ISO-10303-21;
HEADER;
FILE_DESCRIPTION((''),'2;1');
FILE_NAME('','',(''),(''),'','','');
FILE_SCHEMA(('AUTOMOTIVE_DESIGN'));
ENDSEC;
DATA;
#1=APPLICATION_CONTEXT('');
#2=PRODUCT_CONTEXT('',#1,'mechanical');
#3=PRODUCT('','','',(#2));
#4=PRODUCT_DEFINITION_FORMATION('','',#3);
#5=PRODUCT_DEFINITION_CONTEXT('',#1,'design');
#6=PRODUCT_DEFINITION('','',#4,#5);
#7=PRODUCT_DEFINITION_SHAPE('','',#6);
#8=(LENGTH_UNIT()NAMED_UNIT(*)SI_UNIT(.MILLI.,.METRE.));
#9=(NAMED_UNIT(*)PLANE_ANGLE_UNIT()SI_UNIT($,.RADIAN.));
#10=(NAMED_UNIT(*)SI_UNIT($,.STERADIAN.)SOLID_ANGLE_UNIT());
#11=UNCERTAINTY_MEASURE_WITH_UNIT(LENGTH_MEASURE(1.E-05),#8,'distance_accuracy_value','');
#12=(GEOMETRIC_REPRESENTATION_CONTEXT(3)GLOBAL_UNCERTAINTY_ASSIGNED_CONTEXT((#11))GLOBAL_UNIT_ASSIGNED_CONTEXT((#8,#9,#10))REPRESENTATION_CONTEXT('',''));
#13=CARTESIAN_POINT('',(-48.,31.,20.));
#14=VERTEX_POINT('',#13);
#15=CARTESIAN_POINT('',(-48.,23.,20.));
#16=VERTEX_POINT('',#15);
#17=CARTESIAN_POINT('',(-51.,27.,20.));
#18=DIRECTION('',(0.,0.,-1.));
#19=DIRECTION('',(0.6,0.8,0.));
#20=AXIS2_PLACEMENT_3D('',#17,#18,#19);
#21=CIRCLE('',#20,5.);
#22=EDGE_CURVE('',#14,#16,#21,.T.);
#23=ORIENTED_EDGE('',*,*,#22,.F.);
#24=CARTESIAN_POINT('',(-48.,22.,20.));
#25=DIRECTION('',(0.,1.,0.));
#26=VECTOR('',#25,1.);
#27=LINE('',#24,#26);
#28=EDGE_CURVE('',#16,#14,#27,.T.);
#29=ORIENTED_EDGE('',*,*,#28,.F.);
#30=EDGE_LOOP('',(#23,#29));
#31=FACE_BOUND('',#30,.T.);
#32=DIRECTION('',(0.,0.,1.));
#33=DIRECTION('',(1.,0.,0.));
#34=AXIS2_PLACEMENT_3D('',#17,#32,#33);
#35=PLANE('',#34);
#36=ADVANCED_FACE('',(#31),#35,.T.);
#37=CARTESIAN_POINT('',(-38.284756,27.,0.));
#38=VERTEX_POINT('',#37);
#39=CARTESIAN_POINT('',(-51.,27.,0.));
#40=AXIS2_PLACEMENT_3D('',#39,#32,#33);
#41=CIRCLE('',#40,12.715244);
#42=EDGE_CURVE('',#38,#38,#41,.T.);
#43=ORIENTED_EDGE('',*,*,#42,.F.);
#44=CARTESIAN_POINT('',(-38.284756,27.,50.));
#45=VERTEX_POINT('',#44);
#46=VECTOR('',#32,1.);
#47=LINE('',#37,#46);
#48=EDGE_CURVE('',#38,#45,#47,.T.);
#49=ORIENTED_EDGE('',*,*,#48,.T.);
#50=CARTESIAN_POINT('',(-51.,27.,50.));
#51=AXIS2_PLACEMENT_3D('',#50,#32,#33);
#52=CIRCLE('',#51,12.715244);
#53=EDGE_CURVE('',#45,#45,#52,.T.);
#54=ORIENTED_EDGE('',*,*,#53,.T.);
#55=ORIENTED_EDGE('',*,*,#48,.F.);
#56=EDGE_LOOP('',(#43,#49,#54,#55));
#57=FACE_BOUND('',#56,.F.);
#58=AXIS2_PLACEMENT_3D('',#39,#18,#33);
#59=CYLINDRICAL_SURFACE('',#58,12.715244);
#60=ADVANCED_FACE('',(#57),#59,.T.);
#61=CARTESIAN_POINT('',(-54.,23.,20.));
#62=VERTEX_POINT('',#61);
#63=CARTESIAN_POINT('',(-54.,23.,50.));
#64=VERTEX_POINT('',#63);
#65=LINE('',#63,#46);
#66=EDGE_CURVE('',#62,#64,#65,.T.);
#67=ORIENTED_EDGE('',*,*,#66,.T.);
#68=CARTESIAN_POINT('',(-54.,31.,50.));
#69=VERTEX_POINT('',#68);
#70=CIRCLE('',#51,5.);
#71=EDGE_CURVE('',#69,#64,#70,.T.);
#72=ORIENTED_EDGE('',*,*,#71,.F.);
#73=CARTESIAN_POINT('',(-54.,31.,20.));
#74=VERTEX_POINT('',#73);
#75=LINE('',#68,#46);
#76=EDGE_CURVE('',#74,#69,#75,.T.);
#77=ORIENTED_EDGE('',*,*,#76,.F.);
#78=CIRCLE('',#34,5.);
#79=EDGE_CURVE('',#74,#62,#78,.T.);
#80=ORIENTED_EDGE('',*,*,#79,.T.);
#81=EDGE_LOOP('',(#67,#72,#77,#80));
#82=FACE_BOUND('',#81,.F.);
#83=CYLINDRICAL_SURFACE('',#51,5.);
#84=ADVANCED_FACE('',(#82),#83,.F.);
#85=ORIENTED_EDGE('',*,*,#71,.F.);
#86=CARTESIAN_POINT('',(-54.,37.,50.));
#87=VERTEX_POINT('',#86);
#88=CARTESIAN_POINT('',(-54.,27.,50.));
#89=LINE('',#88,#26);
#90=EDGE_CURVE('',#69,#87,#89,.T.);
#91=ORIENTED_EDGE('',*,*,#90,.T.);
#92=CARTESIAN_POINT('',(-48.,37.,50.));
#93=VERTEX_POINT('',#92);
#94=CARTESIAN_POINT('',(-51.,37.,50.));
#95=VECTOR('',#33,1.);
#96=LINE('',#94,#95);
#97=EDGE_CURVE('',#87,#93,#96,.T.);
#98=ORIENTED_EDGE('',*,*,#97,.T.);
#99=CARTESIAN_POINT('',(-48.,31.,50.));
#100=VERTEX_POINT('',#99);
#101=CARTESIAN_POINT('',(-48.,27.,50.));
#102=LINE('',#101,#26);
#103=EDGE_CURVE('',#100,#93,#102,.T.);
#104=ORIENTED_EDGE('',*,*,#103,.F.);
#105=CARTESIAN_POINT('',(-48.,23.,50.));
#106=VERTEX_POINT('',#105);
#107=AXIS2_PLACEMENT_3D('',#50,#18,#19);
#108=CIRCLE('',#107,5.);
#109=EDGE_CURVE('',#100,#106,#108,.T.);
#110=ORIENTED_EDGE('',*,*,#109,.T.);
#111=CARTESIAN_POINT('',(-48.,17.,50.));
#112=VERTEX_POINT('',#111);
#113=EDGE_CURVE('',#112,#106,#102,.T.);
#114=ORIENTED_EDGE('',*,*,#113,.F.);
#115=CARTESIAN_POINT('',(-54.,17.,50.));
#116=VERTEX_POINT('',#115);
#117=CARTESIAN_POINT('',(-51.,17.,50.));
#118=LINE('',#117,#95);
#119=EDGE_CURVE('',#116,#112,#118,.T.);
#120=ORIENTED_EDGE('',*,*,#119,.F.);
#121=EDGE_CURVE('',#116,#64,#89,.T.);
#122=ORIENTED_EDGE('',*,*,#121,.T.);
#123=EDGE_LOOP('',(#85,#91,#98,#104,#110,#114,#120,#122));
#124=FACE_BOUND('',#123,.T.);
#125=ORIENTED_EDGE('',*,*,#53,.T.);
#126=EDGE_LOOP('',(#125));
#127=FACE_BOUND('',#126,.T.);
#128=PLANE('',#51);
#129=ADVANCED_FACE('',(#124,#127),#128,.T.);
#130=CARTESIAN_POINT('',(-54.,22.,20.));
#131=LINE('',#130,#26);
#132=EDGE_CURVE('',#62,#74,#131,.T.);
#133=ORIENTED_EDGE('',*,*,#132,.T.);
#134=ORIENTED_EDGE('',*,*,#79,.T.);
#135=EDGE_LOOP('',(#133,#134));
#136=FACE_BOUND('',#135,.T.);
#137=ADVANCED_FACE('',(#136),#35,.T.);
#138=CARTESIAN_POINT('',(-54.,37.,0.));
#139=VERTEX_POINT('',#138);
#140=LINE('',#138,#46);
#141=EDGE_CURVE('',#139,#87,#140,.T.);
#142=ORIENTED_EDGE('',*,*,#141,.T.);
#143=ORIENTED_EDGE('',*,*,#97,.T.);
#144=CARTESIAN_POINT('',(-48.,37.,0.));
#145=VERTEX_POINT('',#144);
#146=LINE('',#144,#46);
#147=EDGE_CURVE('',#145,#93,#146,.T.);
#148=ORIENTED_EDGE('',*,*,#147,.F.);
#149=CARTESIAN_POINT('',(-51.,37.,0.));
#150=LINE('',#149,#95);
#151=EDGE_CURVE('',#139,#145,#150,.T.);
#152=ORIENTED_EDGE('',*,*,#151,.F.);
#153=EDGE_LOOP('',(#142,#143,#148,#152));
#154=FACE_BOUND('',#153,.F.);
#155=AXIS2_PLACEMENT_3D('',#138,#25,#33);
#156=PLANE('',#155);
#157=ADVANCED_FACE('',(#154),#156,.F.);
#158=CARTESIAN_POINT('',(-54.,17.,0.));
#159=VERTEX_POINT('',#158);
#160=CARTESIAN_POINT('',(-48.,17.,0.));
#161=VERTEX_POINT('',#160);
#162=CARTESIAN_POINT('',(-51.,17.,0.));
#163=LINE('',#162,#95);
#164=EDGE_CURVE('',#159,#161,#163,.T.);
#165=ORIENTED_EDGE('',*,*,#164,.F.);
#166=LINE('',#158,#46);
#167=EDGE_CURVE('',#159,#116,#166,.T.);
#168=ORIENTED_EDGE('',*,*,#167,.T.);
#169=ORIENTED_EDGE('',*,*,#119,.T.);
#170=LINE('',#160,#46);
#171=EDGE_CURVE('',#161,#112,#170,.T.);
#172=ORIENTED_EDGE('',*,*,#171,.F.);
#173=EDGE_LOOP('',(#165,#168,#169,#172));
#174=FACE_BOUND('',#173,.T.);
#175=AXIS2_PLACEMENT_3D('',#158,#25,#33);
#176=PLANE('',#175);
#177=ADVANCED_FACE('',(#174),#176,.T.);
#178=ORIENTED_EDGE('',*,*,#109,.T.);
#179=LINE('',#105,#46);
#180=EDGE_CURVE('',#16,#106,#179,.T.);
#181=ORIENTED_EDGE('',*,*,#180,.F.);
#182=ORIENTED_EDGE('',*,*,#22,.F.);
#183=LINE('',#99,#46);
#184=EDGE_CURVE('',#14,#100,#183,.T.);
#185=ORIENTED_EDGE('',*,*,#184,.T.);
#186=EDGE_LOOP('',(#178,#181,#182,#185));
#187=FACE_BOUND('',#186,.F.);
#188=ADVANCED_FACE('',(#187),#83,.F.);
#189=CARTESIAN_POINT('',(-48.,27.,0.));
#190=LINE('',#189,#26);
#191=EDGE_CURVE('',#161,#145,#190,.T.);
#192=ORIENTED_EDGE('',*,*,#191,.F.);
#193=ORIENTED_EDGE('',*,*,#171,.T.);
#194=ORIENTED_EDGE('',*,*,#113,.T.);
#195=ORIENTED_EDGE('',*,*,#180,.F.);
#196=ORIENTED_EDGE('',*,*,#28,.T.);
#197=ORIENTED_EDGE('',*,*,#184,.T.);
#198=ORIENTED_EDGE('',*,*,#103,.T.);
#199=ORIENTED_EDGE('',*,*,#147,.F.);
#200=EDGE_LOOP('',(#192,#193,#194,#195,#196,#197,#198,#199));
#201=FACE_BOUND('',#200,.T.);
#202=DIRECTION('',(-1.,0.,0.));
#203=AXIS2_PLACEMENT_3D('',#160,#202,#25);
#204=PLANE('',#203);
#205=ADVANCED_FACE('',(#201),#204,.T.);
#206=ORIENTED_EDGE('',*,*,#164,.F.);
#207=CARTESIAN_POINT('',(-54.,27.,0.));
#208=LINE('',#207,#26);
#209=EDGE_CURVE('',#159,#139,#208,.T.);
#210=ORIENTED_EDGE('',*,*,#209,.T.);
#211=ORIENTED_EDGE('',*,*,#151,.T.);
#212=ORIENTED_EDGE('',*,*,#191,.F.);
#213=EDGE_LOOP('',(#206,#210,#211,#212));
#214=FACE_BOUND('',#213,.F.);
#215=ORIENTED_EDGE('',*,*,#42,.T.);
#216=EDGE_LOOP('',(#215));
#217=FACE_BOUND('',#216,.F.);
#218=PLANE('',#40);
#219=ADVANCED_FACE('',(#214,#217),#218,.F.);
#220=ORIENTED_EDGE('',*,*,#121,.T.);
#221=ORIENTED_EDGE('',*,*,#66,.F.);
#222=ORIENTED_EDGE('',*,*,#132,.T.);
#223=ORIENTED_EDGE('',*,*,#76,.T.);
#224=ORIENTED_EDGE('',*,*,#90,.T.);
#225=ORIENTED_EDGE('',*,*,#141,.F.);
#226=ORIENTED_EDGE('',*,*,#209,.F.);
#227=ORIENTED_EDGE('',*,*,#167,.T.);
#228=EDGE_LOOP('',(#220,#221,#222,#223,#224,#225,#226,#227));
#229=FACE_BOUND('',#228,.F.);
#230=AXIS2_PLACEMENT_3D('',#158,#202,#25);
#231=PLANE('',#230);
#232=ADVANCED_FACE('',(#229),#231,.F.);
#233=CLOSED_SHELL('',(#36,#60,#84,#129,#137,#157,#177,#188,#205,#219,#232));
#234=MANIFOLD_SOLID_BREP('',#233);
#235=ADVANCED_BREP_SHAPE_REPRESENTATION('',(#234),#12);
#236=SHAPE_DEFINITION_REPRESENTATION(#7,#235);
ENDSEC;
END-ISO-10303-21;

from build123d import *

# Parameters (mm, degrees)
SKETCH_R     = 12.715244
SKETCH_W     = 6
SKETCH_H     = 20
PAD_DEPTH    = 50
SKETCH001_R  = 5
POCKET_DEPTH = 30


with BuildPart() as part:
    # Sketch → Pad (new body)
    with BuildSketch(Plane.XY):
        with Locations((-51, 27)):
            Circle(SKETCH_R)
        with Locations((-51, 27)):
            Rectangle(SKETCH_W, SKETCH_H, mode=Mode.SUBTRACT)
    extrude(amount=PAD_DEPTH)

    # Sketch001 (on Face7 of Pad) → Pocket (cut)
    with BuildSketch(Plane.XY.offset(50)):
        with Locations((-51, 27)):
            Circle(SKETCH001_R)
    extrude(amount=-POCKET_DEPTH, mode=Mode.SUBTRACT)


solid = part.part
